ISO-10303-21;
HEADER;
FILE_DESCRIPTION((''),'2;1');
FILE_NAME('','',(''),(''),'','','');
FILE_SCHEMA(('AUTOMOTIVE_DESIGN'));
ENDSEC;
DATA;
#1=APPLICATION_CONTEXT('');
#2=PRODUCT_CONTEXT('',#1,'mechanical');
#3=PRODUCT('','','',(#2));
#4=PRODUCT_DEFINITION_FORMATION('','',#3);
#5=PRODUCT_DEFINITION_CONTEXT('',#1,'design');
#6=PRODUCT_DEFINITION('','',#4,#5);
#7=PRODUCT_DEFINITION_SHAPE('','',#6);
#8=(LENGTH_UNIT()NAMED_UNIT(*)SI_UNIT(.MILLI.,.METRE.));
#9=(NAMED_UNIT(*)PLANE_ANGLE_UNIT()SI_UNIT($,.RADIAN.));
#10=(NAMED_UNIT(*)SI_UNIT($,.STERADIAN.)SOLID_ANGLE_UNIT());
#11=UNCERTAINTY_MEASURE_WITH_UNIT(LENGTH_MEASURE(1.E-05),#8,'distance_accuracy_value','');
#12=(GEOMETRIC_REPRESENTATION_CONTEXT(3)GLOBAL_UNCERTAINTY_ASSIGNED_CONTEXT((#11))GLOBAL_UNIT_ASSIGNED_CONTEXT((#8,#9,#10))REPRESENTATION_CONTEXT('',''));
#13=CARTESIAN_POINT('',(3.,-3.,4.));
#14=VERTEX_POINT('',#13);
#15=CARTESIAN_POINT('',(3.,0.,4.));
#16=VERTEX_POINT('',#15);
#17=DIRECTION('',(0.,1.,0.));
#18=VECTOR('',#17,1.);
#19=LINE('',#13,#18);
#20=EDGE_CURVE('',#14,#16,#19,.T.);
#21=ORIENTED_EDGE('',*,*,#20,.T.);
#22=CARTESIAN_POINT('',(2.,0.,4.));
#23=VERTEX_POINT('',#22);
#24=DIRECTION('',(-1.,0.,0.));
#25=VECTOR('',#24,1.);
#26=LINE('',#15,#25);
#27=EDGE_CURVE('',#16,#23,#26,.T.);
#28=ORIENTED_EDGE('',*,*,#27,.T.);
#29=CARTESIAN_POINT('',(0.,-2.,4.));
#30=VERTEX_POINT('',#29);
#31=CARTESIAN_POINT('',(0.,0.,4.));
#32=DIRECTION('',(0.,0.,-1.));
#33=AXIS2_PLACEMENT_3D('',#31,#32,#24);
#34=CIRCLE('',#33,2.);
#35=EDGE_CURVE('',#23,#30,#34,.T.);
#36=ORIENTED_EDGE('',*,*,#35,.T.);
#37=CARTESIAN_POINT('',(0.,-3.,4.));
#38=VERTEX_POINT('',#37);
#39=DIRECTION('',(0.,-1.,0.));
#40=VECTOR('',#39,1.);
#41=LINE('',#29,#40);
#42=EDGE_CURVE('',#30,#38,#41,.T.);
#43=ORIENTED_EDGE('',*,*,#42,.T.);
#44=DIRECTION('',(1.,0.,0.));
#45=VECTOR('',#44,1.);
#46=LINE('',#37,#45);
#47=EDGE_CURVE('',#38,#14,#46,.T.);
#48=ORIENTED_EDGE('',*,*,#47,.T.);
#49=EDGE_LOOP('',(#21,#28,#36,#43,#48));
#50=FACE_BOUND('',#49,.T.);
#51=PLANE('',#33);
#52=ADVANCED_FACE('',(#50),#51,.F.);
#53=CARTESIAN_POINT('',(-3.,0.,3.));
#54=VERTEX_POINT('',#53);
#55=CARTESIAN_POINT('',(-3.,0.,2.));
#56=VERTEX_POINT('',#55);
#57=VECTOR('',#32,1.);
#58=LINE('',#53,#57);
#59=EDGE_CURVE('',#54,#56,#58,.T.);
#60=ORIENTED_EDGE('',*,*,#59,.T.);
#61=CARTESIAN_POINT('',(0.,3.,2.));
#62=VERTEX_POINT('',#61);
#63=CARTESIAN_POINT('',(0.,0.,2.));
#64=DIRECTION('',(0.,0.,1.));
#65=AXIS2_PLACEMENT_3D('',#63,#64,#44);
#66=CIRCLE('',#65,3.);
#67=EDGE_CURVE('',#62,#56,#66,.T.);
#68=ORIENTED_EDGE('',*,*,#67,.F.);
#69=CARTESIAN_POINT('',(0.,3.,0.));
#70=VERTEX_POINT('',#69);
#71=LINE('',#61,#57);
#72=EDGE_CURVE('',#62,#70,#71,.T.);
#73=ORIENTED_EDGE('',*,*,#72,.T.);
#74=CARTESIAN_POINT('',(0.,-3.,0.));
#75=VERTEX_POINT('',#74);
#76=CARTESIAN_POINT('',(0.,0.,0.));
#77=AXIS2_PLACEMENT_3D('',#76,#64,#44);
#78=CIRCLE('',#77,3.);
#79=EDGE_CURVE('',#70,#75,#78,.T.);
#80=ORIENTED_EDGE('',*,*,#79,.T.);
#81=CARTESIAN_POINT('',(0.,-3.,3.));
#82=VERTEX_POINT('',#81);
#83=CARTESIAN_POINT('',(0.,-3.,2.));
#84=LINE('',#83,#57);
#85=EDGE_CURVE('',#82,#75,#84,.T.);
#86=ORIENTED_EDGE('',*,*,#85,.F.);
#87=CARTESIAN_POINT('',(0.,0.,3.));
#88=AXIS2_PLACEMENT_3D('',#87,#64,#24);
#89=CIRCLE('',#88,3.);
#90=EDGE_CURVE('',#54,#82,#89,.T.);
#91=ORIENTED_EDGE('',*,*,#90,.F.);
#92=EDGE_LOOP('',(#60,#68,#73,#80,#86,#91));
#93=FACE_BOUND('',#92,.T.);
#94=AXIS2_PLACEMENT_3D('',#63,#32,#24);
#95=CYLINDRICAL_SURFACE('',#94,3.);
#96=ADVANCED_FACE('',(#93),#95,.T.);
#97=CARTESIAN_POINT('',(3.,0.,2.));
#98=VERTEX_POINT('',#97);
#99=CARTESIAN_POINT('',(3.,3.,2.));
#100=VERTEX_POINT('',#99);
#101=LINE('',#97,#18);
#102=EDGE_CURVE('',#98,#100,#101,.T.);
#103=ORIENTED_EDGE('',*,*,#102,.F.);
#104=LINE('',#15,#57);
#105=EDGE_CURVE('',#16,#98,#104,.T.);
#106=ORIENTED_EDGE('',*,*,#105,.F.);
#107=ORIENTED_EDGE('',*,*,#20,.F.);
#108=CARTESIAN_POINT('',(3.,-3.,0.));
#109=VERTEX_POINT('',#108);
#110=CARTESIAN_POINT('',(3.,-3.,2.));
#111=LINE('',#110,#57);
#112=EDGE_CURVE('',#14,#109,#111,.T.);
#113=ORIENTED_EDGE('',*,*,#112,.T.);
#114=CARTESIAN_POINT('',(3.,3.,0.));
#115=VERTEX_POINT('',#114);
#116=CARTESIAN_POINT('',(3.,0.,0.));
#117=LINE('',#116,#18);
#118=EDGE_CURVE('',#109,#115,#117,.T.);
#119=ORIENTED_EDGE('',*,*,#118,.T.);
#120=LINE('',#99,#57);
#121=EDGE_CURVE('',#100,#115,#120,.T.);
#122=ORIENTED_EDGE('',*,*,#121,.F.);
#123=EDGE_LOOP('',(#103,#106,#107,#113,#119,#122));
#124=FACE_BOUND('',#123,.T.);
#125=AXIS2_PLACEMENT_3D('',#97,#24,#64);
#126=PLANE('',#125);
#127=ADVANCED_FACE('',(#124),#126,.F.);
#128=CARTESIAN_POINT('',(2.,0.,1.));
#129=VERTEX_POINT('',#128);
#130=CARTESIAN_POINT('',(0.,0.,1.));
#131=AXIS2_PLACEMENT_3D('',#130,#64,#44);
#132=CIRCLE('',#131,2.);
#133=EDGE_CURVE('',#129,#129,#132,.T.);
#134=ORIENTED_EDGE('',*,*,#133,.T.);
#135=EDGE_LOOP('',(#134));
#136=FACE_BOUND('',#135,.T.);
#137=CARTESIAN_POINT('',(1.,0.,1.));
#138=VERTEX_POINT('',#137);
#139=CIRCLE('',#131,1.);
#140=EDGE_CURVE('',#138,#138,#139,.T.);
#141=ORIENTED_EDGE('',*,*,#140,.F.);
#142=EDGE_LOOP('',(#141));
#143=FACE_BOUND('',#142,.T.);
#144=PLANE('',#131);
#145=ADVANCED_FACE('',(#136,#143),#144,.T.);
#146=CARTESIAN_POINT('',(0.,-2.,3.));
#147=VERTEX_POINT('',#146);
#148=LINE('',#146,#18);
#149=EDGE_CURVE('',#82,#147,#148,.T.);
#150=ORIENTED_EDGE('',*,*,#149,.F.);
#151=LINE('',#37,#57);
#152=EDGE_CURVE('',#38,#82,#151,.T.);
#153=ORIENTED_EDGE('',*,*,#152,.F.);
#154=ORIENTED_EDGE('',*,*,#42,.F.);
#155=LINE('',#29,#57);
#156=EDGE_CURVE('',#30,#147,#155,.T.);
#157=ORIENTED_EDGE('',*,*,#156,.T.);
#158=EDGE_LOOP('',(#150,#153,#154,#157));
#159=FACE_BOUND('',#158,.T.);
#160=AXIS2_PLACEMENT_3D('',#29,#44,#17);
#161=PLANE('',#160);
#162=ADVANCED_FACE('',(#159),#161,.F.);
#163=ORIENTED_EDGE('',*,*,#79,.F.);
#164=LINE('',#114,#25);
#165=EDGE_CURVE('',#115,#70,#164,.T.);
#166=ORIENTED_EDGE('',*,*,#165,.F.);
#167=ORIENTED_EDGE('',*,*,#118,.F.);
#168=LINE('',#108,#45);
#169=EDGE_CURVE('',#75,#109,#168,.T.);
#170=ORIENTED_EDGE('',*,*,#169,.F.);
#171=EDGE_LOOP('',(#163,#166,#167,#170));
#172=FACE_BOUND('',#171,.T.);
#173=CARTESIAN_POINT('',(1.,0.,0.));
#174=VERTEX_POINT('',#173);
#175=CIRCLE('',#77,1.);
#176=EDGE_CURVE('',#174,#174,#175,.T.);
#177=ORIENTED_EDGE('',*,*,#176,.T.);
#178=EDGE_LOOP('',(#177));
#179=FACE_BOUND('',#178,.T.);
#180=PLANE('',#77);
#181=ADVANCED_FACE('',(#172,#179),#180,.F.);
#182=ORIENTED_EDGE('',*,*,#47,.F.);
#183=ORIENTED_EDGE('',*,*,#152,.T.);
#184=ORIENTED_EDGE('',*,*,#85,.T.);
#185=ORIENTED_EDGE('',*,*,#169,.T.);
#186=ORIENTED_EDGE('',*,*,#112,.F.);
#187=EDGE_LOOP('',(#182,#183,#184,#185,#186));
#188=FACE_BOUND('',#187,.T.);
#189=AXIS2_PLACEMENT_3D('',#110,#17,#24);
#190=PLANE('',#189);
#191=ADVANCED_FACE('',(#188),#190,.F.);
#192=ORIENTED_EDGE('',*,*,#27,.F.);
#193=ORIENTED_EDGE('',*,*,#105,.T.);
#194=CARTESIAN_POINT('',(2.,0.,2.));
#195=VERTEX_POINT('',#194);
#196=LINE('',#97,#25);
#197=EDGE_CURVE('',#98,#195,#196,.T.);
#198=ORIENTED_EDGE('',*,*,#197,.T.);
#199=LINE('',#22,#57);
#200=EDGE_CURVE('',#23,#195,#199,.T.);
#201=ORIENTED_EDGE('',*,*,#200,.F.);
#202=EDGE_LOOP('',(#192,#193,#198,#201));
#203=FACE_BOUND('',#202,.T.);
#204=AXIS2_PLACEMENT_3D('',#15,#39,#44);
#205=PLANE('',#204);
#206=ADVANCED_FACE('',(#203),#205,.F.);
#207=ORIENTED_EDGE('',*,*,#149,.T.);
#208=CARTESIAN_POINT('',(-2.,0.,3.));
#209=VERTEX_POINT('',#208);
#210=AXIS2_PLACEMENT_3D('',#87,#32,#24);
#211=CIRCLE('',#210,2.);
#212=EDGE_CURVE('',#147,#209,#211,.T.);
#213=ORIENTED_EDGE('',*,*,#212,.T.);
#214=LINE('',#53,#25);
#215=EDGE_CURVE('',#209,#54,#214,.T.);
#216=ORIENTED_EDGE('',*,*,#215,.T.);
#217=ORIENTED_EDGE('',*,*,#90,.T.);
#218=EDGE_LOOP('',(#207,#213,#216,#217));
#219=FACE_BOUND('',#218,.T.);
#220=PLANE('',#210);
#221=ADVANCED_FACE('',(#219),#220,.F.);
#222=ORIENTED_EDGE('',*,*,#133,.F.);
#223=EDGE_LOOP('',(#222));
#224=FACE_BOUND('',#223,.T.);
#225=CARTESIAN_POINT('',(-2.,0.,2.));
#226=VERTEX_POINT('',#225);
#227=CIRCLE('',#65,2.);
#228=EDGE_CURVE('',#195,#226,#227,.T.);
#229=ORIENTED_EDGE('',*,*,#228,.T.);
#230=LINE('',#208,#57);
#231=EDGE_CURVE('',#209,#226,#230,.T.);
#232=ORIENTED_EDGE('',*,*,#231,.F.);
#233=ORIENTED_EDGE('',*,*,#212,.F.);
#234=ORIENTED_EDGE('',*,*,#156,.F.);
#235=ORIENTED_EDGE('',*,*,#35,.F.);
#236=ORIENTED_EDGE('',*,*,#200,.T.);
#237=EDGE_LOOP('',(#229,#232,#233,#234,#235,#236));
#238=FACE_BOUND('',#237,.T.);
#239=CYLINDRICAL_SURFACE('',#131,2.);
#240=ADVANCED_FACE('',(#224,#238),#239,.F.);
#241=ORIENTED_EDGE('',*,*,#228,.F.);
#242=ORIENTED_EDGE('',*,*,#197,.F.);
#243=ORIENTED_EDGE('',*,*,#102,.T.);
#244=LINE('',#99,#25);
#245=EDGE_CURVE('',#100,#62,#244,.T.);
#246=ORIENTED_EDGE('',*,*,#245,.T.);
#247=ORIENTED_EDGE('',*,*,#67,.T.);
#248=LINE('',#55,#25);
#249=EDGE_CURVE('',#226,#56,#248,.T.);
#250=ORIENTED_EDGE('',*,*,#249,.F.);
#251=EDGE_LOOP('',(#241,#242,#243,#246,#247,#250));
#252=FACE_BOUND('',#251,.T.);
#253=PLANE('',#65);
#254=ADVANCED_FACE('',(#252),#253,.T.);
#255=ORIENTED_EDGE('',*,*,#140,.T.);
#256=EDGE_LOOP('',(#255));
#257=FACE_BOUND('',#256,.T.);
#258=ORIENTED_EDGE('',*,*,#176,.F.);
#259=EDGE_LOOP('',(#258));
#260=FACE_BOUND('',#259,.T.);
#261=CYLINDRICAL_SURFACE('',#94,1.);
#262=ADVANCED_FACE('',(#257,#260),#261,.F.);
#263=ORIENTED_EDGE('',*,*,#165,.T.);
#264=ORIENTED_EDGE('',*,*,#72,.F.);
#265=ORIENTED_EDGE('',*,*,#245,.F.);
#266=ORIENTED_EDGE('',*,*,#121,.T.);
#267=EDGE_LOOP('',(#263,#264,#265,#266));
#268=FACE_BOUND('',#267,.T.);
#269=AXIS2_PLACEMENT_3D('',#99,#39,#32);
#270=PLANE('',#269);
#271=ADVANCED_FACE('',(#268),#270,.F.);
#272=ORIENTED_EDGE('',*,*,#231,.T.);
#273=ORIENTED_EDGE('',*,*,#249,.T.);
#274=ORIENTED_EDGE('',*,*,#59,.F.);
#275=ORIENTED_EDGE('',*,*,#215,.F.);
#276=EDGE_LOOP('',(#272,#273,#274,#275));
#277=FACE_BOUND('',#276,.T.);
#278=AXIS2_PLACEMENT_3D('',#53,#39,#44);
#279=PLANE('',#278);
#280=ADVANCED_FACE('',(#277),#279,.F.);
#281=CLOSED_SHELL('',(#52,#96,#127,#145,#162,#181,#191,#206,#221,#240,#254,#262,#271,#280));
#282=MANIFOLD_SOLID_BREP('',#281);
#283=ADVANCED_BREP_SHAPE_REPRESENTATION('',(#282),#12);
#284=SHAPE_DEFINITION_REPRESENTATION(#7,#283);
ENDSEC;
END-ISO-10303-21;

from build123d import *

# Parameters (mm, degrees)
SKETCH1_R           = 1
BOSS_EXTRUDE1_DEPTH = 2
SKETCH2_R           = 2
CUT_EXTRUDE1_DEPTH  = 1
BOSS_EXTRUDE2_DEPTH = 2
BOSS_EXTRUDE3_DEPTH = 1


with BuildPart() as part:
    # Sketch1 → Boss-Extrude1 (new body)
    with BuildSketch(Plane.XY):
        with BuildLine():
            Line((3, 0), (3, 3))
            Line((3, 3), (0, 3))
            ThreePointArc((0, 3), (-3, 0), (0, -3))
            Line((0, -3), (3, -3))
            Line((3, -3), (3, 0))
        make_face()
        Circle(SKETCH1_R, mode=Mode.SUBTRACT)
    extrude(amount=BOSS_EXTRUDE1_DEPTH)

    # Sketch2 → Cut-Extrude1 (cut)
    with BuildSketch(Plane.XY.offset(2)):
        Circle(SKETCH2_R)
    extrude(amount=-CUT_EXTRUDE1_DEPTH, mode=Mode.SUBTRACT)

    # Sketch3 → Boss-Extrude2 (add)
    with BuildSketch(Plane.XY.offset(2)):
        with BuildLine():
            Line((0, -2), (0, -3))
            Line((0, -3), (3, -3))
            Line((3, -3), (3, 0))
            Line((3, 0), (2, 0))
            ThreePointArc((2, 0), (1.414213562, -1.414213562), (0, -2))
        make_face()
    extrude(amount=BOSS_EXTRUDE2_DEPTH)

    # Sketch4 → Boss-Extrude3 (add)
    with BuildSketch(Plane.XY.offset(2)):
        with BuildLine():
            Line((-3, 0), (-2, 0))
            ThreePointArc((-2, 0), (-1.414213562, -1.414213562), (0, -2))
            Line((0, -2), (0, -3))
            ThreePointArc((0, -3), (-2.121320344, -2.121320344), (-3, 0))
        make_face()
    extrude(amount=BOSS_EXTRUDE3_DEPTH)


solid = part.part
